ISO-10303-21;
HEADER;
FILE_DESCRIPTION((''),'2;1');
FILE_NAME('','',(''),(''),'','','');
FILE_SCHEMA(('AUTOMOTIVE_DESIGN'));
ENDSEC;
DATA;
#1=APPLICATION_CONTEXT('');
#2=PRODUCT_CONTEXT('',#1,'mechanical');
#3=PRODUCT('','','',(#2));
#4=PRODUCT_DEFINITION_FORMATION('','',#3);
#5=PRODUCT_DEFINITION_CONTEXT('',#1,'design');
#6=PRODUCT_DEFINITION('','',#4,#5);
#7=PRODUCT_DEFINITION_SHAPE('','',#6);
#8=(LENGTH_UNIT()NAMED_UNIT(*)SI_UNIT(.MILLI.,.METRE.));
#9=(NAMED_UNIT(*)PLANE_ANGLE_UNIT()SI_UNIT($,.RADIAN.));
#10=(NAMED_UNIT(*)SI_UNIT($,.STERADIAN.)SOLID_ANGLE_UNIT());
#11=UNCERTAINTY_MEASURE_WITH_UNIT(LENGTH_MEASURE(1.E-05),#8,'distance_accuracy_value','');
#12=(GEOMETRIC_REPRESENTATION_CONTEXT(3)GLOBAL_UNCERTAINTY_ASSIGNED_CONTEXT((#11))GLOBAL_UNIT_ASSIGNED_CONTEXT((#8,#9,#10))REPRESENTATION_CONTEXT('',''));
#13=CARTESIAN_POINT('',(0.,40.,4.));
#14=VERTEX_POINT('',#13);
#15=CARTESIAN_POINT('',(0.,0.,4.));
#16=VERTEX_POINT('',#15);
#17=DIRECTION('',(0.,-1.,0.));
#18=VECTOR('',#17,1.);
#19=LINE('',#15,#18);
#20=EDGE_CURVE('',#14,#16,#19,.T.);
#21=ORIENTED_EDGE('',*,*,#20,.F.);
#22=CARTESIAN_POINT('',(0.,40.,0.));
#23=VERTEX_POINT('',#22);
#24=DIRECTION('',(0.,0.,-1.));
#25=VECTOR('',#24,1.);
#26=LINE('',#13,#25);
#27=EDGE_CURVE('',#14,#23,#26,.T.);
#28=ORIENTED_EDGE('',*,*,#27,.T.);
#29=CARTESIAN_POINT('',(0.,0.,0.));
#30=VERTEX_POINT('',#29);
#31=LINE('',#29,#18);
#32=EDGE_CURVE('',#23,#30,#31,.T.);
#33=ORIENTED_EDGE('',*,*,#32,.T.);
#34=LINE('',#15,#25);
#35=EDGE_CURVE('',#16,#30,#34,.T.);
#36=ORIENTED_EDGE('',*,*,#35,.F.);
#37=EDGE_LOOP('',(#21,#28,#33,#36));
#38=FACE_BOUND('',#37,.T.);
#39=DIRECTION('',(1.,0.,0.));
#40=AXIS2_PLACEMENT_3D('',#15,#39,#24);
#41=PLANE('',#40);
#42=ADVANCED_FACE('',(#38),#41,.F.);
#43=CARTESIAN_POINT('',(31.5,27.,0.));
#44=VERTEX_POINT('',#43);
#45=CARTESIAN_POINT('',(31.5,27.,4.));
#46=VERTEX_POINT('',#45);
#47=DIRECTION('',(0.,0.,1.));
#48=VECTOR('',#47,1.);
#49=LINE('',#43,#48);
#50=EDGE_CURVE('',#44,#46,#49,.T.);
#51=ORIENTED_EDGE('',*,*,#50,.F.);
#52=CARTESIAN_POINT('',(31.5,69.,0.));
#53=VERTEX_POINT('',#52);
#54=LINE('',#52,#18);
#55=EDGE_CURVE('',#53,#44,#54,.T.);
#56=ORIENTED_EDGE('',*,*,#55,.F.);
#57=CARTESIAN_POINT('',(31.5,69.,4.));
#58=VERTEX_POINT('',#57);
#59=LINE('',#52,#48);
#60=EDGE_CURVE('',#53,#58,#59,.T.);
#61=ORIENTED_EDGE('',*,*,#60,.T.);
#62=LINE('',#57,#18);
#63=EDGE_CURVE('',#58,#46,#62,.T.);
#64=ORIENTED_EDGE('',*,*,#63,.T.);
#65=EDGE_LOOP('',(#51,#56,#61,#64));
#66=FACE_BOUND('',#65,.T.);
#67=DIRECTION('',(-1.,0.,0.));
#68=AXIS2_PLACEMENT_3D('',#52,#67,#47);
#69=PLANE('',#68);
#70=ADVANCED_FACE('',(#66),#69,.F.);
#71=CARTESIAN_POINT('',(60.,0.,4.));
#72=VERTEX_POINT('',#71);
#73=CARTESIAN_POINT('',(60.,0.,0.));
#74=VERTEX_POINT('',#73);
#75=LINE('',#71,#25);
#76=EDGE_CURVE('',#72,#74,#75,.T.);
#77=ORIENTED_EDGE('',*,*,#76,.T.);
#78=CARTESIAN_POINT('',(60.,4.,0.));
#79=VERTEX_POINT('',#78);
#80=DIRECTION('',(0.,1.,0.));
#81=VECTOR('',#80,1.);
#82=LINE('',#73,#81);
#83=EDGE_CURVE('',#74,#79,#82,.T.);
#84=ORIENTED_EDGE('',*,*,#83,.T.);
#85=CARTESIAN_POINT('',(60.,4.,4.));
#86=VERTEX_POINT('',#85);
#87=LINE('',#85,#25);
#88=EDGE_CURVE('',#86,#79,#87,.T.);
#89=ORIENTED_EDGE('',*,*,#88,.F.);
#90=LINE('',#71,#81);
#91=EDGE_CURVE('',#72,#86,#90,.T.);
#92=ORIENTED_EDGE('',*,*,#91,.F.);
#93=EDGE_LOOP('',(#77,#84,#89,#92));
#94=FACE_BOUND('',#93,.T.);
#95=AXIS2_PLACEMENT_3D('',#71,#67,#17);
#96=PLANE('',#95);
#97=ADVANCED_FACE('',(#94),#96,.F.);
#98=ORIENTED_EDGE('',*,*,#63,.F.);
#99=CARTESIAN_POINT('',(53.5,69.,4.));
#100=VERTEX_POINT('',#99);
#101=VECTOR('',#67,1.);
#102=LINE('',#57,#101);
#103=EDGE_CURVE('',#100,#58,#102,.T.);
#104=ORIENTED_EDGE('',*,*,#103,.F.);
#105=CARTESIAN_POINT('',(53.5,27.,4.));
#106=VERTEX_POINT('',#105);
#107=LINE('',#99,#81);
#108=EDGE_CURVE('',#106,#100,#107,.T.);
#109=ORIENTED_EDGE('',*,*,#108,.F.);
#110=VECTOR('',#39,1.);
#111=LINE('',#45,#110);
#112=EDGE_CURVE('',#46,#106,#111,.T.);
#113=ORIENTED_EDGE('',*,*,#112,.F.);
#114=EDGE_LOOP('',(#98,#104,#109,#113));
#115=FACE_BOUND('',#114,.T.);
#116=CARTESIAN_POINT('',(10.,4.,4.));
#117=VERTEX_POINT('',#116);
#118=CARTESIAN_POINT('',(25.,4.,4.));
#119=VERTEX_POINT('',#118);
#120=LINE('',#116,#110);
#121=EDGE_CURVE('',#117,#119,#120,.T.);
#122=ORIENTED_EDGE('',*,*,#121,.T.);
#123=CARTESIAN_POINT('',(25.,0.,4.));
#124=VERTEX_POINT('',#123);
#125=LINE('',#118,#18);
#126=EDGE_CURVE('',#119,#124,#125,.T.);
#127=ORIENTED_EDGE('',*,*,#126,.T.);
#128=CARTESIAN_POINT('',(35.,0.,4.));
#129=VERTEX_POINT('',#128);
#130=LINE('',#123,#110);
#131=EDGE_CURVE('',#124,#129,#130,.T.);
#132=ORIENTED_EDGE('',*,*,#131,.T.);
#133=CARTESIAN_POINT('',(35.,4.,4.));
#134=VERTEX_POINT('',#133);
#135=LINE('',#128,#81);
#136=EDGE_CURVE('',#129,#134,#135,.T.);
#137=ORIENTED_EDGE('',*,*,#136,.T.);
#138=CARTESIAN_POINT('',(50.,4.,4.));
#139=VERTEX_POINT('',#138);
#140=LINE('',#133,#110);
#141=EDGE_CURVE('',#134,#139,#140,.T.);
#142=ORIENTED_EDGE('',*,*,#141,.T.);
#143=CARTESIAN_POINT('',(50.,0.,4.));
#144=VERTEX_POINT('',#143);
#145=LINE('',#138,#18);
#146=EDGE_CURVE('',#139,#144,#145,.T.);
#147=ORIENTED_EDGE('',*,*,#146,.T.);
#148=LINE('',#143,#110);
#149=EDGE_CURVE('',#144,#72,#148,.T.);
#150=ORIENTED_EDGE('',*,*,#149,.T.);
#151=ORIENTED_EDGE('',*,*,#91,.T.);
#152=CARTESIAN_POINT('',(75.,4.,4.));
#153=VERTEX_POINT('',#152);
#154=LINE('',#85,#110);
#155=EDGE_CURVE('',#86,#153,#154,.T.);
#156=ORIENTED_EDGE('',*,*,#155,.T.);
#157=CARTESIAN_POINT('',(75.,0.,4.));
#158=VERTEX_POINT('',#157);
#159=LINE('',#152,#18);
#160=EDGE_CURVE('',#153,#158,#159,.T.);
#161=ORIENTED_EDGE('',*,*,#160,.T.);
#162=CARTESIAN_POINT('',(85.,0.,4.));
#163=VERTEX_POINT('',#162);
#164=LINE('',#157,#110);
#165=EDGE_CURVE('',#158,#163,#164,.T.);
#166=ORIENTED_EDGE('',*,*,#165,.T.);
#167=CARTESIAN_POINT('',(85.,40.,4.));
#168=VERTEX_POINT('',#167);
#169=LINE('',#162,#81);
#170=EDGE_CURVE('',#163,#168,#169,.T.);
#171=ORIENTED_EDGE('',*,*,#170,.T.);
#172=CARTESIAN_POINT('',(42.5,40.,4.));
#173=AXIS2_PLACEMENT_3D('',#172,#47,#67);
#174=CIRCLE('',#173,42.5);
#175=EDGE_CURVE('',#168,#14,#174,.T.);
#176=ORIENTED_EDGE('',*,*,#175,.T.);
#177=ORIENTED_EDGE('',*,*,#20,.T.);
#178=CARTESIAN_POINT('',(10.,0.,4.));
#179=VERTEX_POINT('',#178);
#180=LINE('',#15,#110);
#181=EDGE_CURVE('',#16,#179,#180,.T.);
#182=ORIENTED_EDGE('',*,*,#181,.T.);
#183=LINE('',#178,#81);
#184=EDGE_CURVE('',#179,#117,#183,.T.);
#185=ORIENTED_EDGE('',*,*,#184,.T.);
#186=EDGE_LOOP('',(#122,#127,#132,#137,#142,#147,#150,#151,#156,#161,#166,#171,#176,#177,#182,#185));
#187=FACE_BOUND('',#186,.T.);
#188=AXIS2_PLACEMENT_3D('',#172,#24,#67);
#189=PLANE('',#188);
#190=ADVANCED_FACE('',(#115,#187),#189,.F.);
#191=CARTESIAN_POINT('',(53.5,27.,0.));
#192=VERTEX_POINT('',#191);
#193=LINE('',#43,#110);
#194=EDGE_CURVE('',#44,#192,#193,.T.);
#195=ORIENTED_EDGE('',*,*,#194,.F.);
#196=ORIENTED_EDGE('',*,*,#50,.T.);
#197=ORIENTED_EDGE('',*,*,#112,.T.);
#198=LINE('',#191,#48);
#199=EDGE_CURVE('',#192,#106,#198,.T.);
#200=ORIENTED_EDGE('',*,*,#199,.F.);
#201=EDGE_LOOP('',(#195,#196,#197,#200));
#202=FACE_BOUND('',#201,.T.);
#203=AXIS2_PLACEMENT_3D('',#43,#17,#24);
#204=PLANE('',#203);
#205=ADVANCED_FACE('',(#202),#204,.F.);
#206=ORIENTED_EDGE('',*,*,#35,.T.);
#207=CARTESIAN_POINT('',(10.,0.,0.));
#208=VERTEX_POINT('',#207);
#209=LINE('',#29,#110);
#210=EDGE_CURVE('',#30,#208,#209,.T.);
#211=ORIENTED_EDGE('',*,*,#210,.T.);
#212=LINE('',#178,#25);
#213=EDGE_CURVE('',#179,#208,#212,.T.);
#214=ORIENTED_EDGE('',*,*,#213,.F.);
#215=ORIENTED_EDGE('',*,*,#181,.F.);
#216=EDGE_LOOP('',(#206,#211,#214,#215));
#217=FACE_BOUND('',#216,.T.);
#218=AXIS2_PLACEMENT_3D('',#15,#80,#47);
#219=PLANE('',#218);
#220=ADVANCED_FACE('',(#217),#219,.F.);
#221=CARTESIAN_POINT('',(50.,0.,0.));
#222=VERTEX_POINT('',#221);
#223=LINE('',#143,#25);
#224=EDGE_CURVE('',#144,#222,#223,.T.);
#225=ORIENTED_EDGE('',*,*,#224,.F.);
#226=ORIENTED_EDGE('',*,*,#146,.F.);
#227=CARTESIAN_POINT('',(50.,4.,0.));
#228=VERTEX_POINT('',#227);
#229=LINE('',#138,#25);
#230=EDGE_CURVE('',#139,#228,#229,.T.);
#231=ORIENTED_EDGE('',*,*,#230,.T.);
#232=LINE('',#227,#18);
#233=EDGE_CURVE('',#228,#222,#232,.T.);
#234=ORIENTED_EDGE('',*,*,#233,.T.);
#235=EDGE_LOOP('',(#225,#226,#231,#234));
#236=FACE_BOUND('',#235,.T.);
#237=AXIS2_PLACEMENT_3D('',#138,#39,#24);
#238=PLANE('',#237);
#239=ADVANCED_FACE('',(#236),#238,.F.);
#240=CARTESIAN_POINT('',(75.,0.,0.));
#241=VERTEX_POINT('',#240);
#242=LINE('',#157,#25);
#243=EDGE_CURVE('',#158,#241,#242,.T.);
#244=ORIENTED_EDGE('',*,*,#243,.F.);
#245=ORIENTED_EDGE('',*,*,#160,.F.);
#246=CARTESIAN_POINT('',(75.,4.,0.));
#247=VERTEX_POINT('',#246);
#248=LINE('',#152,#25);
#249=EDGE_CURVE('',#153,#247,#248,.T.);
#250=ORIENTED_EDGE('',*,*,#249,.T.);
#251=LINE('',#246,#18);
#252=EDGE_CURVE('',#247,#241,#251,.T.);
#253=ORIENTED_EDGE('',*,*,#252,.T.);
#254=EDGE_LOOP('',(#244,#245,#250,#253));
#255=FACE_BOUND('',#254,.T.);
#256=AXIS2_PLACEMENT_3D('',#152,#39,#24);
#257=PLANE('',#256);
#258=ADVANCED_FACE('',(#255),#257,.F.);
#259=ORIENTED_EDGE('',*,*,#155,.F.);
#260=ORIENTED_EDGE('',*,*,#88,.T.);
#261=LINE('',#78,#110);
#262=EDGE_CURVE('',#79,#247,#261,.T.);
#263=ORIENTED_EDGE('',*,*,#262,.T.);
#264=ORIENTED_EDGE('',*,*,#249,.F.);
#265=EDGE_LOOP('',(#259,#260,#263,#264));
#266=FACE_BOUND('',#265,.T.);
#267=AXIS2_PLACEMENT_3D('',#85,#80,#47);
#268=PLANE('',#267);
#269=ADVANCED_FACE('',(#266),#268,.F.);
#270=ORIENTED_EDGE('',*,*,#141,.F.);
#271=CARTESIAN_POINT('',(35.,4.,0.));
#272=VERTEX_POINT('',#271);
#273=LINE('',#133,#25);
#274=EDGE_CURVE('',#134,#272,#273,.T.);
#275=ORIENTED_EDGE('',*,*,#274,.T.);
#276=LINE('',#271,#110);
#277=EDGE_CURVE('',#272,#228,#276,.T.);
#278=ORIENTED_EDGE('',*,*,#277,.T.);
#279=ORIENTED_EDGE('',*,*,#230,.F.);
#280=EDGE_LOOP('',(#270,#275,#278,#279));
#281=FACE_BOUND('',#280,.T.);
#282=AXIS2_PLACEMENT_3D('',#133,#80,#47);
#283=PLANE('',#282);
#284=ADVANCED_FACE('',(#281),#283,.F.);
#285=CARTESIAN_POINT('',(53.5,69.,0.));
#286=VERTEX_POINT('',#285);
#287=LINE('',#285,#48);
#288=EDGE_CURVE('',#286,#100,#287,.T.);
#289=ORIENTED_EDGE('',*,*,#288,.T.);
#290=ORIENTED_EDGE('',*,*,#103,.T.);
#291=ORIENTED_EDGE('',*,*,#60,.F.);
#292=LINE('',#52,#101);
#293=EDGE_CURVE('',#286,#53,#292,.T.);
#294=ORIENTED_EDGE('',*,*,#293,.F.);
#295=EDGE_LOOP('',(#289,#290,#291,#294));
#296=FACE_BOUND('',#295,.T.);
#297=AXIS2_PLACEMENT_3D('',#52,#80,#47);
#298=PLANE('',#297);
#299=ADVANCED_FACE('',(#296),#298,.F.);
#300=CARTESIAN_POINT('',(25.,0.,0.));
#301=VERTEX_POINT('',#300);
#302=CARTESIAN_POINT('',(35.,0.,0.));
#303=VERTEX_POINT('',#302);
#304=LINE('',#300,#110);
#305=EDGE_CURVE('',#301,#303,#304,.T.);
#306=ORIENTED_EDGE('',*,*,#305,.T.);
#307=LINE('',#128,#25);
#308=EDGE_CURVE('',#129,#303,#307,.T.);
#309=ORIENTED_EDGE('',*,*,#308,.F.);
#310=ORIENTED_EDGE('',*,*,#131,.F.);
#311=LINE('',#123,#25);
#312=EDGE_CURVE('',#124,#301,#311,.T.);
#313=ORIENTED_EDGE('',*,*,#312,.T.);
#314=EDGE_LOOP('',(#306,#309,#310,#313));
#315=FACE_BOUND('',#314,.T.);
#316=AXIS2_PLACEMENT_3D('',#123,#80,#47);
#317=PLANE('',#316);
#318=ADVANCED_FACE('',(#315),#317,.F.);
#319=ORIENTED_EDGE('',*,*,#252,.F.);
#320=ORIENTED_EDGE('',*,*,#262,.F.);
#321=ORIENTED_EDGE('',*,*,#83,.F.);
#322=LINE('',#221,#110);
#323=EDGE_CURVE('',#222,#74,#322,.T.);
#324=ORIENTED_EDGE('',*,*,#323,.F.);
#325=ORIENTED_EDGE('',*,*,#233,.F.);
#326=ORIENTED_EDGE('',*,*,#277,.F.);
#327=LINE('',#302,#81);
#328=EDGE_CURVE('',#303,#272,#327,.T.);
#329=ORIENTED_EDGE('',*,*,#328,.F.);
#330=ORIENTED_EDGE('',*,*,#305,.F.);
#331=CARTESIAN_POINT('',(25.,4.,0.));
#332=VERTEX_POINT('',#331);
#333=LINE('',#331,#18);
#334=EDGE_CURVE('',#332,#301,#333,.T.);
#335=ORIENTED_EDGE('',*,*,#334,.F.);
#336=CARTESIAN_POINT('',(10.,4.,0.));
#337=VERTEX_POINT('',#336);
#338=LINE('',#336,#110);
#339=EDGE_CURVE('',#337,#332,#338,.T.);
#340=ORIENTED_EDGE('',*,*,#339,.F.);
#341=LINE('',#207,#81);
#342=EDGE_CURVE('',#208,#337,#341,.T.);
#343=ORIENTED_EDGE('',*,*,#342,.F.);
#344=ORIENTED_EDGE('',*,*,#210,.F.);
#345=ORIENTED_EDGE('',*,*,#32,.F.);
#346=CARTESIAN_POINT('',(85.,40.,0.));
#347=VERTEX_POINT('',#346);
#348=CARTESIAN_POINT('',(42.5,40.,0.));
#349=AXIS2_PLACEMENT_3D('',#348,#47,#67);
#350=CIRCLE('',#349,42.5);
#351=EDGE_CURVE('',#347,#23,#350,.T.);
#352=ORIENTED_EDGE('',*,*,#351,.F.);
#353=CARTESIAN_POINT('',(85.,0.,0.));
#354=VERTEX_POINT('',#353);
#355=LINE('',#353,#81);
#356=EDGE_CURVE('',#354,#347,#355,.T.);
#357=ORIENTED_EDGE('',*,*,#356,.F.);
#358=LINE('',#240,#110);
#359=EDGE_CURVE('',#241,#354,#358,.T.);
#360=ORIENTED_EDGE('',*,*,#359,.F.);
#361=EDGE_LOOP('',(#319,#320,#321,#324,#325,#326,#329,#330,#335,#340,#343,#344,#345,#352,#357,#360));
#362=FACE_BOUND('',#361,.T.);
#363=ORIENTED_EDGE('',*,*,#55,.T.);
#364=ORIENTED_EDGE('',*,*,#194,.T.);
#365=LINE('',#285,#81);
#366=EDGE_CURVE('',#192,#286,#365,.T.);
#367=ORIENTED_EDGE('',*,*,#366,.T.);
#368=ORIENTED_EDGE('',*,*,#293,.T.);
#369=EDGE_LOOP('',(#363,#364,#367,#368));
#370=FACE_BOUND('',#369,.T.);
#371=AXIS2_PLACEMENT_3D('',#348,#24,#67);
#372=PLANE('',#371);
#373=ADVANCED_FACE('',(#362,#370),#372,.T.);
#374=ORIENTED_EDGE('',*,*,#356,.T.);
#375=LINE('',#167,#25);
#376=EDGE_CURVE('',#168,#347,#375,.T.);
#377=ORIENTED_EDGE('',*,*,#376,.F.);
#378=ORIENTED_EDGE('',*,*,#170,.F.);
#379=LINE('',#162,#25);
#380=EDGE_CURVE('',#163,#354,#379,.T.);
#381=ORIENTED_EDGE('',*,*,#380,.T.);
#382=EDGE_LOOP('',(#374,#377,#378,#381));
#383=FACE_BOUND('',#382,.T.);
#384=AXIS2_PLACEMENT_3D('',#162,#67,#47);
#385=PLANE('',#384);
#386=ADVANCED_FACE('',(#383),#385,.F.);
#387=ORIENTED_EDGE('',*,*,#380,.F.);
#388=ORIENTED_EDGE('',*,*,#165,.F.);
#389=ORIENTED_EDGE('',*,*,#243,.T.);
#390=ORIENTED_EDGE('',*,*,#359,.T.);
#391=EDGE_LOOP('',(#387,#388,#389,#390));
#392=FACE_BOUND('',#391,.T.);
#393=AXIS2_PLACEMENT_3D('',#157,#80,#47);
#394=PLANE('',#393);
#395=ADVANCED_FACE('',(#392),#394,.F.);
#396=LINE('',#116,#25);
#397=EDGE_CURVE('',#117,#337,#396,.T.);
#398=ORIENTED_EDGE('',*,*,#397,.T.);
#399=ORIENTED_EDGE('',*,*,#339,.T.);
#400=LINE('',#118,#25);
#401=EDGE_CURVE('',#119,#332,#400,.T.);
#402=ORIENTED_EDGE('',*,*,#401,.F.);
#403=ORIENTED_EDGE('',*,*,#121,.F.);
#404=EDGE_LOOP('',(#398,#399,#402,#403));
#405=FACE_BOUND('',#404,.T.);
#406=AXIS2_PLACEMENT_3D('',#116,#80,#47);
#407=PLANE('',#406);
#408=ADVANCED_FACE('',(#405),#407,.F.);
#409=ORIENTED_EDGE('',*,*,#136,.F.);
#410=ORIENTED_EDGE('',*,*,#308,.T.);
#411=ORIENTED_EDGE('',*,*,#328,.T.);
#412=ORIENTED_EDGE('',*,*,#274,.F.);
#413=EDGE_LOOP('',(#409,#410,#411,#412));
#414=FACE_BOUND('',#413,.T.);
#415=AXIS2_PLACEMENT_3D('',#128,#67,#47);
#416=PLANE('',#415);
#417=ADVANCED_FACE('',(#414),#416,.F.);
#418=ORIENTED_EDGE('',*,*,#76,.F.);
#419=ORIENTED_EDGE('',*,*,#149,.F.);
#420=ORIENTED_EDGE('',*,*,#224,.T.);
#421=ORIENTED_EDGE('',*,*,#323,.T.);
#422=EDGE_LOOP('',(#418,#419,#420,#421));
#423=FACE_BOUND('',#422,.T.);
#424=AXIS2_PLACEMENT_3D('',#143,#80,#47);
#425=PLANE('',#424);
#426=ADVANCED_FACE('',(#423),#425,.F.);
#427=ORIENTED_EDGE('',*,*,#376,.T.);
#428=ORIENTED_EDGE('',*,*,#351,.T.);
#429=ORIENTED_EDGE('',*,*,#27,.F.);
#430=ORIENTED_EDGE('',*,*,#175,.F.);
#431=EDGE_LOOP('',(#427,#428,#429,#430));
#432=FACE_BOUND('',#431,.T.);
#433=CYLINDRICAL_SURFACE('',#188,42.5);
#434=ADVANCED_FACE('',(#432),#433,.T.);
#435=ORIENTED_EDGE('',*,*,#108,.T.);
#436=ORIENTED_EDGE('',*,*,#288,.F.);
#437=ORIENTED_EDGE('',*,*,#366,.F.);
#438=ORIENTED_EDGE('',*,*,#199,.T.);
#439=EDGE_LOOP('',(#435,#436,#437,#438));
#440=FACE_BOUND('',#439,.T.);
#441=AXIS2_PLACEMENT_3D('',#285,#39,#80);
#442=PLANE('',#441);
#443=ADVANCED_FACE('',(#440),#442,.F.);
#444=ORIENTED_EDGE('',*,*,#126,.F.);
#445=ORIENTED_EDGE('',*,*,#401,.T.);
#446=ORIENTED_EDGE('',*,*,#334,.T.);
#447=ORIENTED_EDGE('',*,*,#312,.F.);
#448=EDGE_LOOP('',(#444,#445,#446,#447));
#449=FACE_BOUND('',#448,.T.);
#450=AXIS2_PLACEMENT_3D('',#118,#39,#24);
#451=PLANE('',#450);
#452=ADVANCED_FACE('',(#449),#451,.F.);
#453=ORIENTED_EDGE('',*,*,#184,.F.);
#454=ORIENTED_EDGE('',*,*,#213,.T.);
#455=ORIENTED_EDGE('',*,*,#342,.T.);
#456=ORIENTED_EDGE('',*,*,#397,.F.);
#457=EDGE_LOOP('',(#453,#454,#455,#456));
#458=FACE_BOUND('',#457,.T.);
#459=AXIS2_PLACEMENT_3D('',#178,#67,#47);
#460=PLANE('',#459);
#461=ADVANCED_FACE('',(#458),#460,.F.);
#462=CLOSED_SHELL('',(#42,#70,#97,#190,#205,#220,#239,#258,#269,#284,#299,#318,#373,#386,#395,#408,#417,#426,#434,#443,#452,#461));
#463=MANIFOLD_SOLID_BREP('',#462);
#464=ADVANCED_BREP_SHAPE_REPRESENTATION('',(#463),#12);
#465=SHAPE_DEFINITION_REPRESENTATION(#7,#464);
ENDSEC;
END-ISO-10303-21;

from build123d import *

# Parameters (mm, degrees)
SALIENTE_EXTRUIR1_DEPTH = 4
CROQUIS2_W              = 22
CROQUIS2_H              = 42
CORTAR_EXTRUIR1_DEPTH   = 4


with BuildPart() as part:
    # Croquis1 → Saliente-Extruir1 (new body)
    with BuildSketch(Plane.XY):
        with BuildLine():
            Line((0, 0), (10, 0))
            Line((10, 0), (10, 4))
            Line((10, 4), (25, 4))
            Line((25, 4), (25, 0))
            Line((25, 0), (35, 0))
            Line((35, 0), (35, 4))
            Line((35, 4), (50, 4))
            Line((50, 4), (50, 0))
            Line((50, 0), (60, 0))
            Line((60, 0), (60, 4))
            Line((60, 4), (75, 4))
            Line((75, 4), (75, 0))
            Line((75, 0), (85, 0))
            Line((85, 0), (85, 40))
            ThreePointArc((85, 40), (42.5, 82.5), (0, 40))
            Line((0, 40), (0, 0))
        make_face()
    extrude(amount=SALIENTE_EXTRUIR1_DEPTH)

    # Croquis2 → Cortar-Extruir1 (cut)
    with BuildSketch(Plane.XY.offset(4)):
        with Locations((42.5, 48)):
            Rectangle(CROQUIS2_W, CROQUIS2_H)
    extrude(amount=-CORTAR_EXTRUIR1_DEPTH, mode=Mode.SUBTRACT)


solid = part.part
